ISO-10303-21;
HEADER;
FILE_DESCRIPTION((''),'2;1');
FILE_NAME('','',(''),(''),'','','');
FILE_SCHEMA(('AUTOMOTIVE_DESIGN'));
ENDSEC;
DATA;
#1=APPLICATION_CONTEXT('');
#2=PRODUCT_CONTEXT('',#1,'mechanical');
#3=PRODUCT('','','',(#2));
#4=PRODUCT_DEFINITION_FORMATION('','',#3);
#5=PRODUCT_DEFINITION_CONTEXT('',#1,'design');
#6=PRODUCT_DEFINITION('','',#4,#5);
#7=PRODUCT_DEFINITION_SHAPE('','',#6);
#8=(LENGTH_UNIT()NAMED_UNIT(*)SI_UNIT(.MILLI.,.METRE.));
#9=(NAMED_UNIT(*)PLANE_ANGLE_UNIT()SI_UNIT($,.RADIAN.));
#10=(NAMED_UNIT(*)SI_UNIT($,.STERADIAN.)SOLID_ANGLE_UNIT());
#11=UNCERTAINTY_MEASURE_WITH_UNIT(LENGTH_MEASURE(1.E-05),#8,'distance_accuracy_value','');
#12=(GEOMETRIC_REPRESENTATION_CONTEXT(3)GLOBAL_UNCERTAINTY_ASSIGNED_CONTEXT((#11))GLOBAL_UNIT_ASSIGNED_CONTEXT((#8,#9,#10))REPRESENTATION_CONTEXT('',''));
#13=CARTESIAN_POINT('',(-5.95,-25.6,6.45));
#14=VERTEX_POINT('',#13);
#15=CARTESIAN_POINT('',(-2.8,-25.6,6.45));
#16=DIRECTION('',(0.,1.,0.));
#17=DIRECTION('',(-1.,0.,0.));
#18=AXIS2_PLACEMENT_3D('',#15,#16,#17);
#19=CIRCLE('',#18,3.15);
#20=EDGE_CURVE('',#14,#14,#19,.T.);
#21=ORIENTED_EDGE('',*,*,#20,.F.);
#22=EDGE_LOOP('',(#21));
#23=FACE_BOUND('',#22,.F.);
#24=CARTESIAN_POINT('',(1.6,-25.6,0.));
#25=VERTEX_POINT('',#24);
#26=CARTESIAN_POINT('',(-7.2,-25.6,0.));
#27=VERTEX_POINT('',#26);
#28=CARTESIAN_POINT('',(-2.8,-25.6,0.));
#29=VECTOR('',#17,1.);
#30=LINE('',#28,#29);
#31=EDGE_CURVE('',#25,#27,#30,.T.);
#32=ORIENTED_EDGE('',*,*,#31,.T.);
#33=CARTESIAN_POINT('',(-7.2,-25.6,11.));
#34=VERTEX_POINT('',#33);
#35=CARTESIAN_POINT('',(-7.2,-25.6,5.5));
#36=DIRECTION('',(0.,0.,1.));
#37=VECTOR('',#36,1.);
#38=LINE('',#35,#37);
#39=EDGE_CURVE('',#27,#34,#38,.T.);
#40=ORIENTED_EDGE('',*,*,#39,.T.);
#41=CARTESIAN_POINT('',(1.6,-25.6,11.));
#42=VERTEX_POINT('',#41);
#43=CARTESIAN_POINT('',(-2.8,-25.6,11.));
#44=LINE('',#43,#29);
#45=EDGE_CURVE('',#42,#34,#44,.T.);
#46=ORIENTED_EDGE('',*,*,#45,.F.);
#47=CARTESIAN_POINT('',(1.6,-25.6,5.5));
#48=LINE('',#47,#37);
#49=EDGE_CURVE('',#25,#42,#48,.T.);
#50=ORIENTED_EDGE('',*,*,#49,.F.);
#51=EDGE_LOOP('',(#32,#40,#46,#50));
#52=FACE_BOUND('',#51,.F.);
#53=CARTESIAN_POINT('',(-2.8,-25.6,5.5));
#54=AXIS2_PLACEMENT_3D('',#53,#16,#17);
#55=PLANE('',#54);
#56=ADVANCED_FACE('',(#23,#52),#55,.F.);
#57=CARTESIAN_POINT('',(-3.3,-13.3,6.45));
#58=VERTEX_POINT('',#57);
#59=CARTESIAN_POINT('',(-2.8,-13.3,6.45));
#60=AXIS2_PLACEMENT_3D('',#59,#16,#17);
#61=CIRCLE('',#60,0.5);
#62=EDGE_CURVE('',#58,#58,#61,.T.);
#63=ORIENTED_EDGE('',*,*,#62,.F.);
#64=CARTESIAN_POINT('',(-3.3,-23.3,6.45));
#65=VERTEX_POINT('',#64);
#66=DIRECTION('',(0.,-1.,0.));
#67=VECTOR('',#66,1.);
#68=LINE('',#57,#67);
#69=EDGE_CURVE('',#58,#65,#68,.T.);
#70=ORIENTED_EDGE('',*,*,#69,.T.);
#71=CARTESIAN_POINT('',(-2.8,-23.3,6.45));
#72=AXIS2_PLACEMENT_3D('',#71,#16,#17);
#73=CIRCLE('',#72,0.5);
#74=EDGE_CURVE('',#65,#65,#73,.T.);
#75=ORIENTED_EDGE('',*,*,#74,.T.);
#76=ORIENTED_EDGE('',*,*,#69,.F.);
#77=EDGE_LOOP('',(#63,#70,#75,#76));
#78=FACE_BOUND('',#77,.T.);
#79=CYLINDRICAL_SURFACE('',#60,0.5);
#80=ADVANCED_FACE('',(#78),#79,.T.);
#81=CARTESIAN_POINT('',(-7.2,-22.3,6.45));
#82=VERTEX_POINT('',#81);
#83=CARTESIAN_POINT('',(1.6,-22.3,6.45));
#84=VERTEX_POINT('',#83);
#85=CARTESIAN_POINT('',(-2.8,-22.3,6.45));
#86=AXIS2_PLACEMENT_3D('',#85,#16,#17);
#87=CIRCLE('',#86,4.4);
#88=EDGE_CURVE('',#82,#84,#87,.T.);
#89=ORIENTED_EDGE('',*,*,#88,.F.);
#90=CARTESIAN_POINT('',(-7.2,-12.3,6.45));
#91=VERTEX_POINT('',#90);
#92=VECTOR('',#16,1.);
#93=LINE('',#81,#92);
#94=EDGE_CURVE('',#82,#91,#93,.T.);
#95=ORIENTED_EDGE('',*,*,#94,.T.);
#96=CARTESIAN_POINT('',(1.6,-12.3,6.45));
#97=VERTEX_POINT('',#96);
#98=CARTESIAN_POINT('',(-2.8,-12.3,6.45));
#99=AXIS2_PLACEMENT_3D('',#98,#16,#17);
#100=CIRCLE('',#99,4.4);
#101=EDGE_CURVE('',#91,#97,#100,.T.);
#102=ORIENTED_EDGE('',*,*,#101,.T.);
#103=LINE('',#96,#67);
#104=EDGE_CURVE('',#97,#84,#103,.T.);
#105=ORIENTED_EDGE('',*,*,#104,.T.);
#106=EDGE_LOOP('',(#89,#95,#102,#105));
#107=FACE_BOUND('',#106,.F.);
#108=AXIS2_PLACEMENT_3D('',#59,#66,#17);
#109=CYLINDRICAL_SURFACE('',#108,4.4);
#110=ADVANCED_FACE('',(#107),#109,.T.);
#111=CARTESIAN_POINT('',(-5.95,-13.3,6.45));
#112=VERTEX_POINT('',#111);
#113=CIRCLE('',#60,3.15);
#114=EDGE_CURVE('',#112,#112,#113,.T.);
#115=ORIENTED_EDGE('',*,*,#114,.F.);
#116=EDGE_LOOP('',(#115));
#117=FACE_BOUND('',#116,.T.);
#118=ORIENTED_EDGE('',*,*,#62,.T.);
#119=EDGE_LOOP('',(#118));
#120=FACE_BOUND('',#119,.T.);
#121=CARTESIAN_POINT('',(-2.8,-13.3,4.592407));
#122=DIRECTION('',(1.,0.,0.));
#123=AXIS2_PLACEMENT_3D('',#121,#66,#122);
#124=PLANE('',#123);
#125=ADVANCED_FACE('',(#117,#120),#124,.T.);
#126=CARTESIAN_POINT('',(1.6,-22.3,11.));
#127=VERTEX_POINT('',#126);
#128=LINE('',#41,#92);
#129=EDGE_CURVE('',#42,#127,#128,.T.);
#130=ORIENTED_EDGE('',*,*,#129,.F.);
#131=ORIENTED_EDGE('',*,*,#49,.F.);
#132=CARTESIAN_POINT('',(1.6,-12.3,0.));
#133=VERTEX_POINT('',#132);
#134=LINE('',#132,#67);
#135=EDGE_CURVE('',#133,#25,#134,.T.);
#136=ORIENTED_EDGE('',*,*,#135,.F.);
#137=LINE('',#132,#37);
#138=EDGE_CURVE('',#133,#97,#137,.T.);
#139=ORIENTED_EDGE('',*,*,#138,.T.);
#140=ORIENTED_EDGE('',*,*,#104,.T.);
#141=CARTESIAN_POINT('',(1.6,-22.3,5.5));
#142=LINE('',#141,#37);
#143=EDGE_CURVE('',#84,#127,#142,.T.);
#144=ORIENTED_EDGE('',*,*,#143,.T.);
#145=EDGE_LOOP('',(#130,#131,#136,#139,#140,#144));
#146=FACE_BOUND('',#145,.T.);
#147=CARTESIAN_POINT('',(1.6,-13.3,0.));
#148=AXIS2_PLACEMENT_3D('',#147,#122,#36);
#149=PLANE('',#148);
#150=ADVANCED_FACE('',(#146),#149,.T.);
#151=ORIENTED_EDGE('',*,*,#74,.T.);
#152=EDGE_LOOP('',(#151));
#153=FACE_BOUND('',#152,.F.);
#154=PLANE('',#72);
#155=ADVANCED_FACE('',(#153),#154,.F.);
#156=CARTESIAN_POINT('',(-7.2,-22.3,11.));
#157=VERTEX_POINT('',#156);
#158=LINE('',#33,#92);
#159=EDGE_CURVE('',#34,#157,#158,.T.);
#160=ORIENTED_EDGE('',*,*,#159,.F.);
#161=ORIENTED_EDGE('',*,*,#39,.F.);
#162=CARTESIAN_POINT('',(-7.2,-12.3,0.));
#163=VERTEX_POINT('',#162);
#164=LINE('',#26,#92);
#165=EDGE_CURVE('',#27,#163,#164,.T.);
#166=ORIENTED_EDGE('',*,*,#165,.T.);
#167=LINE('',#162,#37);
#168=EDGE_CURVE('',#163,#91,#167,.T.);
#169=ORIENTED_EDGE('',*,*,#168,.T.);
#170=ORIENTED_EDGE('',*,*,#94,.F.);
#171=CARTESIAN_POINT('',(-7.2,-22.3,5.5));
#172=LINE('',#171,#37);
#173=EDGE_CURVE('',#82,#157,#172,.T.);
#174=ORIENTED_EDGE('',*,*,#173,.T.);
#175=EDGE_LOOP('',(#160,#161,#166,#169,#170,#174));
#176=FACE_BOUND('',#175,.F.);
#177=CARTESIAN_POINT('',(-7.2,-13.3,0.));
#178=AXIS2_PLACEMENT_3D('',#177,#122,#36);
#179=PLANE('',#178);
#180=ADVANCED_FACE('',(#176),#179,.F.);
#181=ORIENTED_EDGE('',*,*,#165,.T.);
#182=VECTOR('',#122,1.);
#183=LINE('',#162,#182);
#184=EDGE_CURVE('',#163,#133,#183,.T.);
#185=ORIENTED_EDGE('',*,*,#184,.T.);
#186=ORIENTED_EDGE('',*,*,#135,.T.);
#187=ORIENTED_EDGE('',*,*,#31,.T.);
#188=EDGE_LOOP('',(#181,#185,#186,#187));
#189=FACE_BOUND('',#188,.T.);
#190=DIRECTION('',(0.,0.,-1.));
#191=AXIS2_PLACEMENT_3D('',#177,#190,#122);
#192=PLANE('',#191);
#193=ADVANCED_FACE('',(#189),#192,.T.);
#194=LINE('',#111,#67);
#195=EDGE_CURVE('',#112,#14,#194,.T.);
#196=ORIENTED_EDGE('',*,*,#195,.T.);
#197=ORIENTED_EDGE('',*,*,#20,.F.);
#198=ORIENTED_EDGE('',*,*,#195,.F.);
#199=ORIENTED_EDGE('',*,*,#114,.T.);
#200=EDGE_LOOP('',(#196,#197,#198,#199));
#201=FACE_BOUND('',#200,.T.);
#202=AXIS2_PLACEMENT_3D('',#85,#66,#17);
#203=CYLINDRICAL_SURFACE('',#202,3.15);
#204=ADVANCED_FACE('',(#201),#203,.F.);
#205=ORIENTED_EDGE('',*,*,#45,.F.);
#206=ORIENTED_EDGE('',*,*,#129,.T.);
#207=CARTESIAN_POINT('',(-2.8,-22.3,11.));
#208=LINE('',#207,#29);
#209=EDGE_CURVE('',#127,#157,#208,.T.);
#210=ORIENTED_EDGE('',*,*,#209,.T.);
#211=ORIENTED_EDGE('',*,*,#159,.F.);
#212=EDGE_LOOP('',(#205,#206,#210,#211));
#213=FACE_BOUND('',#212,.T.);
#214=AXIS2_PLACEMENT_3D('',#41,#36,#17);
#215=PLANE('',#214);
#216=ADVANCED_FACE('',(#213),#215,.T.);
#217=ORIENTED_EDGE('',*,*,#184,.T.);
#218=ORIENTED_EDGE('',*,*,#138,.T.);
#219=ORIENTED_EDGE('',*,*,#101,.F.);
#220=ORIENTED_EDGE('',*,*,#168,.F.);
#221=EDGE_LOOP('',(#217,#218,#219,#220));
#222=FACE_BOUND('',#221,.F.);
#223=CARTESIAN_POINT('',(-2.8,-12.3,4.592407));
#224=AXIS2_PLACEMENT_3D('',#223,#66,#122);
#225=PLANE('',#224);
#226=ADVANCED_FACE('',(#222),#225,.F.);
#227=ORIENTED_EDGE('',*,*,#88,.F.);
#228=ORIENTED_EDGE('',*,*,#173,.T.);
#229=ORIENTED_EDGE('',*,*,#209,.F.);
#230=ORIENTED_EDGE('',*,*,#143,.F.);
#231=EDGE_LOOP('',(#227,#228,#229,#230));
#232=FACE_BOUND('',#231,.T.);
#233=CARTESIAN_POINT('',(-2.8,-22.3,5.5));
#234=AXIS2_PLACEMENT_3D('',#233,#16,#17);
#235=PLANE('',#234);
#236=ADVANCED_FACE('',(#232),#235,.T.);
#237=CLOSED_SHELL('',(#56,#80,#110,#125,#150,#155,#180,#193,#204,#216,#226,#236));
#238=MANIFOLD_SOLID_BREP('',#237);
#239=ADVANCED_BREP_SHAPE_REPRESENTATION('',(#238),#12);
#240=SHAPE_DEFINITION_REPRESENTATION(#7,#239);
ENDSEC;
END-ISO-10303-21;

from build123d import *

# Parameters (mm, degrees)
SKETCH074_W  = 8.8
SKETCH074_H  = 11
SKETCH074_R  = 3.15
PAD098_DEPTH = 3.3
SKETCH072_R  = 3.15
PAD099_DEPTH = 9
PAD097_DEPTH = 1
SKETCH073_R  = 0.5
PAD096_DEPTH = 10


with BuildPart() as part:
    # Sketch074 → Pad098 (new body)
    with BuildSketch(Plane(origin=(0, -6.3, 0), x_dir=(-1, 0, 0), z_dir=(0, 1, 0))):
        with Locations((0, 5.5)):
            Rectangle(SKETCH074_W, SKETCH074_H)
        with Locations((0, 6.45)):
            Circle(SKETCH074_R, mode=Mode.SUBTRACT)
    extrude(amount=PAD098_DEPTH)

    # Sketch072 → Pad099 (join)
    with BuildSketch(Plane(origin=(0, -3, 0), x_dir=(-1, 0, 0), z_dir=(0, 1, 0))):
        with BuildLine():
            Line((4.4, 0), (-4.4, 0))
            Line((-4.4, 0), (-4.4, 6.45))
            ThreePointArc((4.4, 6.45), (0, 10.85), (-4.4, 6.45))
            Line((4.4, 6.45), (4.4, 0))
        make_face()
        with Locations((0, 6.45)):
            Circle(SKETCH072_R, mode=Mode.SUBTRACT)
    extrude(amount=PAD099_DEPTH)

    # Sketch075 → Pad097 (join)
    with BuildSketch(Plane(origin=(0, 6, 0), x_dir=(-1, 0, 0), z_dir=(0, 1, 0))):
        with BuildLine():
            Line((4.4, 0), (-4.4, 0))
            Line((-4.4, 0), (-4.4, 6.45))
            ThreePointArc((4.4, 6.45), (0, 10.85), (-4.4, 6.45))
            Line((4.4, 0), (4.4, 6.45))
        make_face()
    extrude(amount=PAD097_DEPTH)

    # Sketch073 → Pad096 (join)
    with BuildSketch(Plane(origin=(0, 6, 0), x_dir=(-1, 0, 0), z_dir=(0, 1, 0))):
        with Locations((0, 6.45)):
            Circle(SKETCH073_R)
    extrude(amount=-PAD096_DEPTH)


with BuildPart() as part_1:
    # Body015 placement: moved
    add(part.part.moved(Location((-2.8, -19.3, 0))))


solid = part_1.part
